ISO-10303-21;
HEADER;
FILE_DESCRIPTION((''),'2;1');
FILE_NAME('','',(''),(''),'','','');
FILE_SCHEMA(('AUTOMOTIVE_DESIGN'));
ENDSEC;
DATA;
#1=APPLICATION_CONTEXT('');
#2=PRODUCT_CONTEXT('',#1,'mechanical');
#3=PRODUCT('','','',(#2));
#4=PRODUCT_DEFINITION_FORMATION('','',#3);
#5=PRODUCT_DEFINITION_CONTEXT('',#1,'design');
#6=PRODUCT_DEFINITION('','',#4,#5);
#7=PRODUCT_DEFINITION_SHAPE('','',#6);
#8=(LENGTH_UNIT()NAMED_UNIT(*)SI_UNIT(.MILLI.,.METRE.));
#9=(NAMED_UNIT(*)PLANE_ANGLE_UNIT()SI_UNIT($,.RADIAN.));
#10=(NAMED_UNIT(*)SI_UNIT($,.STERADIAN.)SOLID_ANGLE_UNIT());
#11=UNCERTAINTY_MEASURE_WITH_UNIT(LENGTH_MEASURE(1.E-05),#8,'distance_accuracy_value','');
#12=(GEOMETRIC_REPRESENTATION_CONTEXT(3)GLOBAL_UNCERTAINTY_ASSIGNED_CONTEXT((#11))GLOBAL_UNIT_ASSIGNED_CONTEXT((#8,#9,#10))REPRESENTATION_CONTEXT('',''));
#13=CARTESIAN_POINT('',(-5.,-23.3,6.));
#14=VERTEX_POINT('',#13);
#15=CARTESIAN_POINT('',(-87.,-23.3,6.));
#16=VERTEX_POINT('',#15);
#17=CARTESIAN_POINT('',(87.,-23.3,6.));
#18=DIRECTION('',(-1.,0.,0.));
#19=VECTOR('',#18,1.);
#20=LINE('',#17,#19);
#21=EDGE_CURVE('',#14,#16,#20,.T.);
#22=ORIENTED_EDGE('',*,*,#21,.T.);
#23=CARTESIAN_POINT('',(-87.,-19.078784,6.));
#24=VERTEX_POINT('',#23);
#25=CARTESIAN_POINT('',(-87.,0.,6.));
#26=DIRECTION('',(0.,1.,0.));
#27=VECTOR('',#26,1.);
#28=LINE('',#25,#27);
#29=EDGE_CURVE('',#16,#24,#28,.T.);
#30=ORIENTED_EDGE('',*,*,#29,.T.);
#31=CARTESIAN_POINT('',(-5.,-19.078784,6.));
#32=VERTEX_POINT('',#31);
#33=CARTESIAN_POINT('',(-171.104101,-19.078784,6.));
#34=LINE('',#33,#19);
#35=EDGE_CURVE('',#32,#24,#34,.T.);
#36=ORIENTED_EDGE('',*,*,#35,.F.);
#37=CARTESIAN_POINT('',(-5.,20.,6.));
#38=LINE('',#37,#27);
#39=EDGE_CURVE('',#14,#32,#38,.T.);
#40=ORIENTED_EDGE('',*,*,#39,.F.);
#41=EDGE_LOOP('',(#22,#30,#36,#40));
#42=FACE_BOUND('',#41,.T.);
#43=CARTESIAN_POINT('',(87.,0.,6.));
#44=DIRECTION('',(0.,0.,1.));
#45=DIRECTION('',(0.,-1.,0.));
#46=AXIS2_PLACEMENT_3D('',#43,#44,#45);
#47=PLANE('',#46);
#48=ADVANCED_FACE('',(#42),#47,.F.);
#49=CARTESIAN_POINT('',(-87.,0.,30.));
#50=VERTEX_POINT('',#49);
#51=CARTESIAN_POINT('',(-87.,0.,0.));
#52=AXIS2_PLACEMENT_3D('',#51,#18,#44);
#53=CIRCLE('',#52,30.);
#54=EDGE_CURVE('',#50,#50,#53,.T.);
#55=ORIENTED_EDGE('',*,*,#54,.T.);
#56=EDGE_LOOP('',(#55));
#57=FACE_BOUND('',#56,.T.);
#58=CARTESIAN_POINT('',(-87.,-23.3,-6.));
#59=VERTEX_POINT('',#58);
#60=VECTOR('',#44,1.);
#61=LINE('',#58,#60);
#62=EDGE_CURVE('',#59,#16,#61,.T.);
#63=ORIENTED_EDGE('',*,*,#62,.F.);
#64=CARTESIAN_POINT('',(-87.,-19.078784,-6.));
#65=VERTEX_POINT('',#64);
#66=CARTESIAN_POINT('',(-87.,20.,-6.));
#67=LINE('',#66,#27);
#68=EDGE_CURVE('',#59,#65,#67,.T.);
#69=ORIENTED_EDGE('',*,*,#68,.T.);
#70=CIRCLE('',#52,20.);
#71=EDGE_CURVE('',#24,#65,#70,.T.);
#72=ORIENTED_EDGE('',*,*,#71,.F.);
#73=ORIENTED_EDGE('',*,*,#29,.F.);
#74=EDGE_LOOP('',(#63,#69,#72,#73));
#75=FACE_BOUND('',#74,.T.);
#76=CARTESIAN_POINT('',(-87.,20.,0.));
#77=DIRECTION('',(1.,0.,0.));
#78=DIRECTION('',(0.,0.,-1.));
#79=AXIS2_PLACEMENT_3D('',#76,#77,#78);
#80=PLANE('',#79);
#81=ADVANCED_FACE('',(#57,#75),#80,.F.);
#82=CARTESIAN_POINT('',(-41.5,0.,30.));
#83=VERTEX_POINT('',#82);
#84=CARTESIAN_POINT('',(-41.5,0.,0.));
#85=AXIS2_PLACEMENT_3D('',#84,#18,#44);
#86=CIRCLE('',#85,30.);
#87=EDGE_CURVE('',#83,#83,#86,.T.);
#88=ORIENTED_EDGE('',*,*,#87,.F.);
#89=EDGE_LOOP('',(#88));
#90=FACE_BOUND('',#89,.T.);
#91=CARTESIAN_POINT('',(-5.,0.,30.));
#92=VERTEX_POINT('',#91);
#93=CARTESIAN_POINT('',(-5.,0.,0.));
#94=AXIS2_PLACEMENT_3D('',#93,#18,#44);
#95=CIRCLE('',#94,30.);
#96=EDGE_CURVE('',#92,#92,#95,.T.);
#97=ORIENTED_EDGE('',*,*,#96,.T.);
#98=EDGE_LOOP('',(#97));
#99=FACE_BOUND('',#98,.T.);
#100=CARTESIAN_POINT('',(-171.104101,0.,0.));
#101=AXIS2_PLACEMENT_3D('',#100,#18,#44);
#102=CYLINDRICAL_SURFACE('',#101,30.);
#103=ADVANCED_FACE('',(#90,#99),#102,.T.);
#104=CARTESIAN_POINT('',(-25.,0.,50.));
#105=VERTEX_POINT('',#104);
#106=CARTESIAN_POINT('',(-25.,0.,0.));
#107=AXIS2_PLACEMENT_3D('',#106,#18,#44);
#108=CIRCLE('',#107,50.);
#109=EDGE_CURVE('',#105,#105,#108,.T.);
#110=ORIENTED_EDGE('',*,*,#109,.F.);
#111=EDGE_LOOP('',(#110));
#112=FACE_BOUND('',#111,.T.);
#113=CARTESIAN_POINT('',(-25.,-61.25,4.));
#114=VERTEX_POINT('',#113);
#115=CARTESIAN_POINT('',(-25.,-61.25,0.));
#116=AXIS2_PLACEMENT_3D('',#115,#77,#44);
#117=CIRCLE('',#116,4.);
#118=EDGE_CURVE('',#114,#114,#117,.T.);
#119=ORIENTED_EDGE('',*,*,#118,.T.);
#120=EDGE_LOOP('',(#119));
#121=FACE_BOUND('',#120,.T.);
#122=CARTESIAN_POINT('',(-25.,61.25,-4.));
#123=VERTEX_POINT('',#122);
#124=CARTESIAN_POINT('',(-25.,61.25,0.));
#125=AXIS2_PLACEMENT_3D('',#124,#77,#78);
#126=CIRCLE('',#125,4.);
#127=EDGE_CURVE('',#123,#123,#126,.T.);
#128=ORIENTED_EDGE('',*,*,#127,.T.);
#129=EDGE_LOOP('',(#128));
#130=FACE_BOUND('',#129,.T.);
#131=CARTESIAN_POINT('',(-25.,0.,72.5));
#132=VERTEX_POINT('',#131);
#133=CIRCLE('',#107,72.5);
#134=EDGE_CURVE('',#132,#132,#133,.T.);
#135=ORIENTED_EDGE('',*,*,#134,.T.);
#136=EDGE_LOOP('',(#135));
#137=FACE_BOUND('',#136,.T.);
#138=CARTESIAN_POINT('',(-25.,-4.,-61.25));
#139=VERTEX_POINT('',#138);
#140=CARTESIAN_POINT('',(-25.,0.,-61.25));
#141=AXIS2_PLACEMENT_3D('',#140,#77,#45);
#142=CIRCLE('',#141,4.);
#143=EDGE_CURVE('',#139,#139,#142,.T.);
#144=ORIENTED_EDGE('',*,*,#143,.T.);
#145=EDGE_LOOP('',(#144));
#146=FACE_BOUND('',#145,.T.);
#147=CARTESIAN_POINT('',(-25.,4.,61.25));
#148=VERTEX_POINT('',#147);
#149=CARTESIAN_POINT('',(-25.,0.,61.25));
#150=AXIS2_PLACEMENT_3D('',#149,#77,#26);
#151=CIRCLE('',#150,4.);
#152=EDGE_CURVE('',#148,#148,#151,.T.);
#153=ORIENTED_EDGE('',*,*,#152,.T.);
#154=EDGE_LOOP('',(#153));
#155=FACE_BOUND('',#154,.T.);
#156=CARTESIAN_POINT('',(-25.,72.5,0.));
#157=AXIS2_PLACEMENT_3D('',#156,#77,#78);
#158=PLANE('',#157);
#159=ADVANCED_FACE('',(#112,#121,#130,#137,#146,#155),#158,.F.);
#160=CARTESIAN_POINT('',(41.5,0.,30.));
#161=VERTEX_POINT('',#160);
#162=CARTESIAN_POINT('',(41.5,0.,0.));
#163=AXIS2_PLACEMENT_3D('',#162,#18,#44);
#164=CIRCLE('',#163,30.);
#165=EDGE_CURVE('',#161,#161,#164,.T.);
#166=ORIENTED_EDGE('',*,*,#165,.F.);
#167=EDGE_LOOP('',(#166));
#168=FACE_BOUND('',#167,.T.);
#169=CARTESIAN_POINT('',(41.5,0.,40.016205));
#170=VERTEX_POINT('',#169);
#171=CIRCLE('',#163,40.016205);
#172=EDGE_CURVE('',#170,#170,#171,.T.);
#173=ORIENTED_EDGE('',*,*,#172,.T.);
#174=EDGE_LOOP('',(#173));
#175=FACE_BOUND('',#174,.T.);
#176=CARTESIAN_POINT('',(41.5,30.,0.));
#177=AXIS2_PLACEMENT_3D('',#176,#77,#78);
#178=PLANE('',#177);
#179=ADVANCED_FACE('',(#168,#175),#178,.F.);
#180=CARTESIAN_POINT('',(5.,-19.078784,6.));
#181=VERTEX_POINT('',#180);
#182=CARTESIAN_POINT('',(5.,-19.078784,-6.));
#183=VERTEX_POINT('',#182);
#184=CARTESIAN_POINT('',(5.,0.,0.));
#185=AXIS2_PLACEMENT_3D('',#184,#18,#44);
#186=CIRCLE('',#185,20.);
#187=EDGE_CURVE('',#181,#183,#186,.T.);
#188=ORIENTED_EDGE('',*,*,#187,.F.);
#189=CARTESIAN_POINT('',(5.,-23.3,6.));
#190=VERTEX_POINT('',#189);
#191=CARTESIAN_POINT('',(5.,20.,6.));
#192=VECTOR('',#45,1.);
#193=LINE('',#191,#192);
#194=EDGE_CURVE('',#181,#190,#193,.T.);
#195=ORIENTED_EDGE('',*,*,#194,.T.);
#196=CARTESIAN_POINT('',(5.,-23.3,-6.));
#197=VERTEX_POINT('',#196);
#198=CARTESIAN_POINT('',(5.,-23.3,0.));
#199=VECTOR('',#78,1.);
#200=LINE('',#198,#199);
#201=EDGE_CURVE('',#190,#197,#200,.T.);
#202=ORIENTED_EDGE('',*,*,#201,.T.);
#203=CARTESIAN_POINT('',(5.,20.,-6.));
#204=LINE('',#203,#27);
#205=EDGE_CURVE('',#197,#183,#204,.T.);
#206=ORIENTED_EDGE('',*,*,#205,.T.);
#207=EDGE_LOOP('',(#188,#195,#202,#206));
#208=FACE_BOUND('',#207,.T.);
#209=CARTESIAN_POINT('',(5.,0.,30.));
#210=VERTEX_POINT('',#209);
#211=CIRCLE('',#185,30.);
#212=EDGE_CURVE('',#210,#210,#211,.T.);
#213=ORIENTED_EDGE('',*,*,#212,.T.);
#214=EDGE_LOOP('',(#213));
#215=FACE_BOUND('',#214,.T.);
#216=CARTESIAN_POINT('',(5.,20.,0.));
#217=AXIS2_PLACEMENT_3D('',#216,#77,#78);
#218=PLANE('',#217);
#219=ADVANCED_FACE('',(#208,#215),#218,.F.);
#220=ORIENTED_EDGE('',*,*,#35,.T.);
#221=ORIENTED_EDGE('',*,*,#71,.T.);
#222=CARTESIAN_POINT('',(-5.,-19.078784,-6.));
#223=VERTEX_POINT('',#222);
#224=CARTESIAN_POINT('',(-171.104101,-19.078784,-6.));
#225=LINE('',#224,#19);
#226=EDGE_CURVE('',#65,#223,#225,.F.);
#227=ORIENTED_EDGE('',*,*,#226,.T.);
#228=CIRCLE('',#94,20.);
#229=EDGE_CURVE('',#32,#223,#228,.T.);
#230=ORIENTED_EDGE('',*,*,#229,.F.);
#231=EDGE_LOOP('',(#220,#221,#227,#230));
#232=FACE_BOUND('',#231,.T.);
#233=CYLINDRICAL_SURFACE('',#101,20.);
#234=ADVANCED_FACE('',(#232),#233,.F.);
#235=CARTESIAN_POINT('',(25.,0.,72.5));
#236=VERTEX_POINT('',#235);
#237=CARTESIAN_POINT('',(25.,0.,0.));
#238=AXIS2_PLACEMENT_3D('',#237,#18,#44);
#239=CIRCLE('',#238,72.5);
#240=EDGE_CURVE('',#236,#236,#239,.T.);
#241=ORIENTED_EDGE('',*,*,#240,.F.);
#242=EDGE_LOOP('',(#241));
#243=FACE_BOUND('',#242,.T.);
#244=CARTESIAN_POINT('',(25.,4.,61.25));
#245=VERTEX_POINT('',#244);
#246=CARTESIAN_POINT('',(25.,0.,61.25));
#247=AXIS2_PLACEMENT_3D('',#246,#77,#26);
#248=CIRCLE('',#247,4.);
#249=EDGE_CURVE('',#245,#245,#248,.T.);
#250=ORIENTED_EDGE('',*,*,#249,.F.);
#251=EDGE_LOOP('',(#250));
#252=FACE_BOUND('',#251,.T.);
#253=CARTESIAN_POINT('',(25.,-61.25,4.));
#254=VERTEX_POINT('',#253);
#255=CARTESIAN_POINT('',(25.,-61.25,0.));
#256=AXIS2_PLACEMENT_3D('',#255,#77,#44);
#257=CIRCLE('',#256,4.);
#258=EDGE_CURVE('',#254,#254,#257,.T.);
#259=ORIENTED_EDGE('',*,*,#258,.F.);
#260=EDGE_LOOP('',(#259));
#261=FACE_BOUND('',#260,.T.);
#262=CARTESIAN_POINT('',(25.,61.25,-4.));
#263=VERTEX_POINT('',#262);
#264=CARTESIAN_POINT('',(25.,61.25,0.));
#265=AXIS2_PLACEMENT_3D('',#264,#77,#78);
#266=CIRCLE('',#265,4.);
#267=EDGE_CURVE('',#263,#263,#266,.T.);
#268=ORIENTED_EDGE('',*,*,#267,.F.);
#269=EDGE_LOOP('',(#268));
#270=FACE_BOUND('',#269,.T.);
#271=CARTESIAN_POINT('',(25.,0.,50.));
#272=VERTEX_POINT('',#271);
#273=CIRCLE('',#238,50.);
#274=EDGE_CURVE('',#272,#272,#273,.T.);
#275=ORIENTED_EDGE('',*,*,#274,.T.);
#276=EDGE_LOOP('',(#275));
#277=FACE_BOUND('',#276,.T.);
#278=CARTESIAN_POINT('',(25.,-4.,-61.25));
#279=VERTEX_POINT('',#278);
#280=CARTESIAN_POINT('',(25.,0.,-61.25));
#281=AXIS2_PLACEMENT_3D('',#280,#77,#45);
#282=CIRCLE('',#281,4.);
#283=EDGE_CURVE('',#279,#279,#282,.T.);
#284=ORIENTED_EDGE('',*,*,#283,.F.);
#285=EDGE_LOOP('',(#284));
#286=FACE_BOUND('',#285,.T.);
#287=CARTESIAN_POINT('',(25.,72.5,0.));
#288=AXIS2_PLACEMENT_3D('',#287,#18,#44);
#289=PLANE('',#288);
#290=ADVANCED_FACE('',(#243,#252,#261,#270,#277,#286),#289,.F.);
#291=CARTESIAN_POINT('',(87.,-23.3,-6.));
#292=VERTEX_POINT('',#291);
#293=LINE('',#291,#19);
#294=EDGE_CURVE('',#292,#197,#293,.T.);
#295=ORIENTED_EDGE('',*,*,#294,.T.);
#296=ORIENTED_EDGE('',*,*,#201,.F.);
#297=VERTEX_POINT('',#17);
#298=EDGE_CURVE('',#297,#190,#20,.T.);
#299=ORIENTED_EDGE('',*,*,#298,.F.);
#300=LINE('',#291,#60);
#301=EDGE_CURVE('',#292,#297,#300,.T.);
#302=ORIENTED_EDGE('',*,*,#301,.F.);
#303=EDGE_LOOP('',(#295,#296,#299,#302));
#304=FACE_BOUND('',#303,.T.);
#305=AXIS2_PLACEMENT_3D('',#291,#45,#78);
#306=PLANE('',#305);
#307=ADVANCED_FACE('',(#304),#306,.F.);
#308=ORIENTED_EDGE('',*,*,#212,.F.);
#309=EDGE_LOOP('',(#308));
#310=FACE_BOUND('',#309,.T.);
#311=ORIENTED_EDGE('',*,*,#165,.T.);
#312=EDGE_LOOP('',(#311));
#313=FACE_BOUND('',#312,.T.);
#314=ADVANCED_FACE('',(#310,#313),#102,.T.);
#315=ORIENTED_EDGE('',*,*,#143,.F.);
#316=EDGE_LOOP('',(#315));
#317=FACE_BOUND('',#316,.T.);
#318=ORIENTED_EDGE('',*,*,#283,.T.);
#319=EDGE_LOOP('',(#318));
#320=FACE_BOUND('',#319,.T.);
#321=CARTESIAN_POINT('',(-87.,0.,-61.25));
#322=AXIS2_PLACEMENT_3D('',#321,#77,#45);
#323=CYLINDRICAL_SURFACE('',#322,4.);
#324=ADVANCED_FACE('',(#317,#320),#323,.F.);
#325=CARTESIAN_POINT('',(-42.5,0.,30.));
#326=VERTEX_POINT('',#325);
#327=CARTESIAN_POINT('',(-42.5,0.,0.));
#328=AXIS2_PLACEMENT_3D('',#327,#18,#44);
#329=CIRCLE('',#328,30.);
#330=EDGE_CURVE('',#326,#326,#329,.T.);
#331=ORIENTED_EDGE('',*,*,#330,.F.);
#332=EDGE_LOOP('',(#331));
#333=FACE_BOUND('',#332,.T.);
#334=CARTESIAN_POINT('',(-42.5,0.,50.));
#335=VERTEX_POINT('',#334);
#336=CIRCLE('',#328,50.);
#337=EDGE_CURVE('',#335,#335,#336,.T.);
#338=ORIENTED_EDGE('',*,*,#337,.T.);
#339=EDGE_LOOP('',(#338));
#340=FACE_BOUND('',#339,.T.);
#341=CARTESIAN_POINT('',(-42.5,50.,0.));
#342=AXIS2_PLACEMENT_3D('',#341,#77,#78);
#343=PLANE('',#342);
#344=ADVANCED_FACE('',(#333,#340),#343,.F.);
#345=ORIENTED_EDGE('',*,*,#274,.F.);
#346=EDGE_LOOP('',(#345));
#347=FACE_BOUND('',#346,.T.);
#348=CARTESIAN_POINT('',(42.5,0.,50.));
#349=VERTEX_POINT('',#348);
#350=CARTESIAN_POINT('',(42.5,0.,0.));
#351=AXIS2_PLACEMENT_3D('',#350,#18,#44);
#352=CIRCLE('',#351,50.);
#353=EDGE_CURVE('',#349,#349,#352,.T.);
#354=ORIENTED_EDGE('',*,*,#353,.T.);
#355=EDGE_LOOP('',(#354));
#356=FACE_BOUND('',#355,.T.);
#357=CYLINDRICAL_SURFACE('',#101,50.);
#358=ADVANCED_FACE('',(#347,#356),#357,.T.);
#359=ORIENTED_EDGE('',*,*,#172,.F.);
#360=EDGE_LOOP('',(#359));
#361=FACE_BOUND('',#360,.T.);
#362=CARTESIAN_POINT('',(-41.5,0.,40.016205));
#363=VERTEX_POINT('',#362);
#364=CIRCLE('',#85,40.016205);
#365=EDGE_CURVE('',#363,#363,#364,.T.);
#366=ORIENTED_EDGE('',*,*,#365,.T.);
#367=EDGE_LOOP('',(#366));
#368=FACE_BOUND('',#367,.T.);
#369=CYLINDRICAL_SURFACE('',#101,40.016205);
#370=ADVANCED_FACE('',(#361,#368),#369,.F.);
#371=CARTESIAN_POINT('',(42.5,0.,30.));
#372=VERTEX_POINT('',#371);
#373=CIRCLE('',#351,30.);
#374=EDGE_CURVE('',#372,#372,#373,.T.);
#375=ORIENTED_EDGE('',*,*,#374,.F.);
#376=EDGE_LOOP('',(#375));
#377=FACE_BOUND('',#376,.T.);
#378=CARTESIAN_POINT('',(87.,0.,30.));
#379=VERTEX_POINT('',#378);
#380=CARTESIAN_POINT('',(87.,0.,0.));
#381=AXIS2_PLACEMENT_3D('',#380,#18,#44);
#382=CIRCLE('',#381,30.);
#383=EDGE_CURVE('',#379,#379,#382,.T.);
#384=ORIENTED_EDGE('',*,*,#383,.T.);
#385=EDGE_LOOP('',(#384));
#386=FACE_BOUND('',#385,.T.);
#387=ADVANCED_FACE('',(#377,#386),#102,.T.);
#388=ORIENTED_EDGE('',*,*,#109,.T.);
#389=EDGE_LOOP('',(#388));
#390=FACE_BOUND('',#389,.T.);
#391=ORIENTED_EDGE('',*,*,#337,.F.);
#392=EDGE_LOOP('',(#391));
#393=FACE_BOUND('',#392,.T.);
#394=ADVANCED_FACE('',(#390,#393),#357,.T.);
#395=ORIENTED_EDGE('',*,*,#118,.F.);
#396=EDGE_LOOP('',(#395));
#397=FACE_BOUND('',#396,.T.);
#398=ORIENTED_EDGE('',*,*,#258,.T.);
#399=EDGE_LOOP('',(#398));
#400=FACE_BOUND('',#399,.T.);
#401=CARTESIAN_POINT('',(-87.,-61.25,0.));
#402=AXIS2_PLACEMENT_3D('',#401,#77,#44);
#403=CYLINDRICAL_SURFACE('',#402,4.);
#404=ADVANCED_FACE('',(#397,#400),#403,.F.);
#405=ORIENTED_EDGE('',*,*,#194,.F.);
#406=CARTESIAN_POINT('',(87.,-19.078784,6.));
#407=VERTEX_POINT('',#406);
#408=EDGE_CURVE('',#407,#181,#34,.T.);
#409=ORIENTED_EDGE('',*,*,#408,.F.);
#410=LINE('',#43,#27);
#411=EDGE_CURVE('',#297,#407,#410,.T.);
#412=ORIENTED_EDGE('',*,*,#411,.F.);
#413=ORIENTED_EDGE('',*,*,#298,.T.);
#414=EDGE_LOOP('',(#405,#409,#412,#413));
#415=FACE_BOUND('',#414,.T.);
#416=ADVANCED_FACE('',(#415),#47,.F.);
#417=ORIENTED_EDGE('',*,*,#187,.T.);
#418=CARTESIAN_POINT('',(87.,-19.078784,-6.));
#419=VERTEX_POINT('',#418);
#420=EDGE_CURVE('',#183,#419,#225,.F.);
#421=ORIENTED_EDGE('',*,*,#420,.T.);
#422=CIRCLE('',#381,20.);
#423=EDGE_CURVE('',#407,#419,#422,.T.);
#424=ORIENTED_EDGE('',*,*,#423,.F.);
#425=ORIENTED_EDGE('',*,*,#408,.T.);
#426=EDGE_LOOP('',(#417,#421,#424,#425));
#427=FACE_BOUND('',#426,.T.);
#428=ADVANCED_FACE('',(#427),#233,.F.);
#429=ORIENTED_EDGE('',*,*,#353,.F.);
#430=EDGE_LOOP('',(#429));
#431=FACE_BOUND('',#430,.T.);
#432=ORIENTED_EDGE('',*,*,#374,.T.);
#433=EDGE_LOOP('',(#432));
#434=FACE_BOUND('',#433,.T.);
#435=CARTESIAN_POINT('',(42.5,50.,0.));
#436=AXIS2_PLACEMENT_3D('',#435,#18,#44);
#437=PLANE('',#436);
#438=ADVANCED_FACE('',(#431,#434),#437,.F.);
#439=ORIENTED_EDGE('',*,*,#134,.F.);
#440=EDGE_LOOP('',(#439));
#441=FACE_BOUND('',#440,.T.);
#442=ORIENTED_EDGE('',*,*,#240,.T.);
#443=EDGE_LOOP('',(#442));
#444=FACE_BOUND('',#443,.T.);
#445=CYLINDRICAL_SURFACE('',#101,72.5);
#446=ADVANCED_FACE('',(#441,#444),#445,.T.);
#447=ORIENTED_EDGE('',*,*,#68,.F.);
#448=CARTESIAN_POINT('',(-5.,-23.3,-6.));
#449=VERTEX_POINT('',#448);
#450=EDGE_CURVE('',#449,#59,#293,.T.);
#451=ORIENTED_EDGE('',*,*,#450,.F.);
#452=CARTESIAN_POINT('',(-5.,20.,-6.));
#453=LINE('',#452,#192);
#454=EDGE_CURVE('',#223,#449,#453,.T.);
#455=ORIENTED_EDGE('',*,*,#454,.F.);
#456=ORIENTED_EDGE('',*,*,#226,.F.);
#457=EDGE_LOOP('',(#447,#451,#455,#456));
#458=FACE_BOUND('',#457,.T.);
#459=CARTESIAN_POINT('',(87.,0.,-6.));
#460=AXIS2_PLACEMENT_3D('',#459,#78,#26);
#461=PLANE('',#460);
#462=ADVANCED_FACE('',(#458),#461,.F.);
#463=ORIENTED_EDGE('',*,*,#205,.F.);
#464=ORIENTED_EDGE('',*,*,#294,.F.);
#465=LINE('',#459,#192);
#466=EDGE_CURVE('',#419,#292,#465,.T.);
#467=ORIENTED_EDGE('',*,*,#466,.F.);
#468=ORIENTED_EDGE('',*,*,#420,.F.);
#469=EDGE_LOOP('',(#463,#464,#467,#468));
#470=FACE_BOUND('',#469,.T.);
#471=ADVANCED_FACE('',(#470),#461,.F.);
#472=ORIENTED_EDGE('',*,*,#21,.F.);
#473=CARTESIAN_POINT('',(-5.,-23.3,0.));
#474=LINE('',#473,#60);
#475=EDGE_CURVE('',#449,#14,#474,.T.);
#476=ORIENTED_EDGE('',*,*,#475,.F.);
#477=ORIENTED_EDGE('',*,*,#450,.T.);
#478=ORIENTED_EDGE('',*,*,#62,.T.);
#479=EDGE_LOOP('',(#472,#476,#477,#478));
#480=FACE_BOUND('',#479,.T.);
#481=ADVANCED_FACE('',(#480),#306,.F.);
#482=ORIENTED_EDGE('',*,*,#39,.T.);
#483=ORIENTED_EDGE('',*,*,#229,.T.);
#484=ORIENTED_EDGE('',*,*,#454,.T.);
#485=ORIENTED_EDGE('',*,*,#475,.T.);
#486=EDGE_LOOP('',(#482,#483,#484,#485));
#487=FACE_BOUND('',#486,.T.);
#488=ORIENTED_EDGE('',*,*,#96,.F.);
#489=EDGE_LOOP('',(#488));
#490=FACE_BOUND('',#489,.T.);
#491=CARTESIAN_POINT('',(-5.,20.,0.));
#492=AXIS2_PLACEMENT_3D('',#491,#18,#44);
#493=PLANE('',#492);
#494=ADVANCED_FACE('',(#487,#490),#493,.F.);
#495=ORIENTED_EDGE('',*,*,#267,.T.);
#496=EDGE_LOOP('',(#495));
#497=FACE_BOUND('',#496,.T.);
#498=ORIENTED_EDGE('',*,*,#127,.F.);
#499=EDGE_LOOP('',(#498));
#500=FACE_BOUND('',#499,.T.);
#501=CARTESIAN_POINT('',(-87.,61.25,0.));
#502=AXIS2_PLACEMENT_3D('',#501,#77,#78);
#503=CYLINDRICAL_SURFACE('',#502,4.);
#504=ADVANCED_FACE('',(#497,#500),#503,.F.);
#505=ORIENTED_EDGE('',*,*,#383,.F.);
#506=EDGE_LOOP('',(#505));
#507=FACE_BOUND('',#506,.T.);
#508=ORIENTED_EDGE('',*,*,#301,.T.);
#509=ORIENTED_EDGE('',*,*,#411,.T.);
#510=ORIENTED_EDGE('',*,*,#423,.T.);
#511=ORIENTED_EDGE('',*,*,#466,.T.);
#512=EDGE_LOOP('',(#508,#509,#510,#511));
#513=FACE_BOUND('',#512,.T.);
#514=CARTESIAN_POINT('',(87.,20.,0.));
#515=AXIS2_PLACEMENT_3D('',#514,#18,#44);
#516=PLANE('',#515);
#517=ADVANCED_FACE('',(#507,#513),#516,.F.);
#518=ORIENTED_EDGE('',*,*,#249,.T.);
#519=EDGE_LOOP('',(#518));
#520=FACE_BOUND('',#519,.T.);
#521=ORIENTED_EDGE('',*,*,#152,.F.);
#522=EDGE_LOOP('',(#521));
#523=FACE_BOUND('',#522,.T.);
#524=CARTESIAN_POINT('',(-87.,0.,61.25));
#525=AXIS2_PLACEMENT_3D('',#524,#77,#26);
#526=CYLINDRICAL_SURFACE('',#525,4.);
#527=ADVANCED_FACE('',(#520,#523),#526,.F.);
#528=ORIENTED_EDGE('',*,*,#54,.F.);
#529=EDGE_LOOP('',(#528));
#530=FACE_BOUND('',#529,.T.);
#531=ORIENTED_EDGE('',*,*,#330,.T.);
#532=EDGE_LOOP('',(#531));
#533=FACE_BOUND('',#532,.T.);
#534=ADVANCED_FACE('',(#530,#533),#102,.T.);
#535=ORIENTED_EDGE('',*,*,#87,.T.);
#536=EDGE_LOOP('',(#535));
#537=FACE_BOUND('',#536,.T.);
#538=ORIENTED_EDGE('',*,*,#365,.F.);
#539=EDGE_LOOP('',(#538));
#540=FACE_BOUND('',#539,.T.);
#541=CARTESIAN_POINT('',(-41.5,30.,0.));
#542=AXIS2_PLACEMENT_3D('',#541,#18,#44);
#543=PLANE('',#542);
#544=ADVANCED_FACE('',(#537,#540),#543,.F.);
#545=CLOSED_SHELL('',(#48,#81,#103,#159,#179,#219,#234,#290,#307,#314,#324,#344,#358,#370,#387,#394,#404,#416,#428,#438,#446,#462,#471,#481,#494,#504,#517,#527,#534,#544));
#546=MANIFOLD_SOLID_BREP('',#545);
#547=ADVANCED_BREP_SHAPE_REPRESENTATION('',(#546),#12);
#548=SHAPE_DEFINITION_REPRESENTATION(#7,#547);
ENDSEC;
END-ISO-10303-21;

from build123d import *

# Parameters (mm, degrees)
SKETCH_2_R               = 4
CUT_EXTRUDE_1_DEPTH      = 152.843669608
PATTERN_CIRCULAR_1_COUNT = 4
SKETCH_4_W               = 12
SKETCH_4_H               = 23.3
CUT_EXTRUDE_2_DEPTH      = 202.961630019


with BuildPart() as part:
    # Эскиз1 → Повернуть1 (revolve)
    with BuildSketch(Plane.XY, mode=Mode.PRIVATE) as revolve_1_sk:
        Polygon((-5, 20), (-5, 30), (-41.5, 30), (-41.5, 40.016205048), (41.5, 40.016205048), (41.5, 30), (5, 30), (5, 20), (87, 20), (87, 30), (42.5, 30), (42.5, 50), (25, 50), (25, 72.5), (-25, 72.5), (-25, 50), (-42.5, 50), (-42.5, 30), (-87, 30), (-87, 20), align=None)
    revolve(revolve_1_sk.sketch.rotate(Axis((-171.104100946, 0, 0), (1, 0, 0)), 90), axis=Axis((-171.104100946, 0, 0), (1, 0, 0)))

    # Эскиз2 → Вырез-Вытянуть1 (cut, through all)
    with BuildSketch(Plane(origin=(25, 0, 0), x_dir=(0, 0, -1), z_dir=(1, 0, 0))):
        with Locations((0, 61.25)):
            Circle(SKETCH_2_R)
    cut_extrude_1 = extrude(amount=-CUT_EXTRUDE_1_DEPTH, mode=Mode.SUBTRACT)

    # Круговой массив1: Вырез-Вытянуть1 ×4 about axis
    pattern_circular_1_axis = Axis((0, 0, 0), (1, 0, 0))
    for i in range(1, PATTERN_CIRCULAR_1_COUNT):
        add(cut_extrude_1.rotate(pattern_circular_1_axis, i * 360 / PATTERN_CIRCULAR_1_COUNT), mode=Mode.SUBTRACT)

    # Эскиз4 → Вырез-Вытянуть2 (cut, through all)
    with BuildSketch(Plane.ZY.offset(87)):
        with Locations((0, -11.65)):
            Rectangle(SKETCH_4_W, SKETCH_4_H)
    extrude(amount=-CUT_EXTRUDE_2_DEPTH, mode=Mode.SUBTRACT)


solid = part.part
